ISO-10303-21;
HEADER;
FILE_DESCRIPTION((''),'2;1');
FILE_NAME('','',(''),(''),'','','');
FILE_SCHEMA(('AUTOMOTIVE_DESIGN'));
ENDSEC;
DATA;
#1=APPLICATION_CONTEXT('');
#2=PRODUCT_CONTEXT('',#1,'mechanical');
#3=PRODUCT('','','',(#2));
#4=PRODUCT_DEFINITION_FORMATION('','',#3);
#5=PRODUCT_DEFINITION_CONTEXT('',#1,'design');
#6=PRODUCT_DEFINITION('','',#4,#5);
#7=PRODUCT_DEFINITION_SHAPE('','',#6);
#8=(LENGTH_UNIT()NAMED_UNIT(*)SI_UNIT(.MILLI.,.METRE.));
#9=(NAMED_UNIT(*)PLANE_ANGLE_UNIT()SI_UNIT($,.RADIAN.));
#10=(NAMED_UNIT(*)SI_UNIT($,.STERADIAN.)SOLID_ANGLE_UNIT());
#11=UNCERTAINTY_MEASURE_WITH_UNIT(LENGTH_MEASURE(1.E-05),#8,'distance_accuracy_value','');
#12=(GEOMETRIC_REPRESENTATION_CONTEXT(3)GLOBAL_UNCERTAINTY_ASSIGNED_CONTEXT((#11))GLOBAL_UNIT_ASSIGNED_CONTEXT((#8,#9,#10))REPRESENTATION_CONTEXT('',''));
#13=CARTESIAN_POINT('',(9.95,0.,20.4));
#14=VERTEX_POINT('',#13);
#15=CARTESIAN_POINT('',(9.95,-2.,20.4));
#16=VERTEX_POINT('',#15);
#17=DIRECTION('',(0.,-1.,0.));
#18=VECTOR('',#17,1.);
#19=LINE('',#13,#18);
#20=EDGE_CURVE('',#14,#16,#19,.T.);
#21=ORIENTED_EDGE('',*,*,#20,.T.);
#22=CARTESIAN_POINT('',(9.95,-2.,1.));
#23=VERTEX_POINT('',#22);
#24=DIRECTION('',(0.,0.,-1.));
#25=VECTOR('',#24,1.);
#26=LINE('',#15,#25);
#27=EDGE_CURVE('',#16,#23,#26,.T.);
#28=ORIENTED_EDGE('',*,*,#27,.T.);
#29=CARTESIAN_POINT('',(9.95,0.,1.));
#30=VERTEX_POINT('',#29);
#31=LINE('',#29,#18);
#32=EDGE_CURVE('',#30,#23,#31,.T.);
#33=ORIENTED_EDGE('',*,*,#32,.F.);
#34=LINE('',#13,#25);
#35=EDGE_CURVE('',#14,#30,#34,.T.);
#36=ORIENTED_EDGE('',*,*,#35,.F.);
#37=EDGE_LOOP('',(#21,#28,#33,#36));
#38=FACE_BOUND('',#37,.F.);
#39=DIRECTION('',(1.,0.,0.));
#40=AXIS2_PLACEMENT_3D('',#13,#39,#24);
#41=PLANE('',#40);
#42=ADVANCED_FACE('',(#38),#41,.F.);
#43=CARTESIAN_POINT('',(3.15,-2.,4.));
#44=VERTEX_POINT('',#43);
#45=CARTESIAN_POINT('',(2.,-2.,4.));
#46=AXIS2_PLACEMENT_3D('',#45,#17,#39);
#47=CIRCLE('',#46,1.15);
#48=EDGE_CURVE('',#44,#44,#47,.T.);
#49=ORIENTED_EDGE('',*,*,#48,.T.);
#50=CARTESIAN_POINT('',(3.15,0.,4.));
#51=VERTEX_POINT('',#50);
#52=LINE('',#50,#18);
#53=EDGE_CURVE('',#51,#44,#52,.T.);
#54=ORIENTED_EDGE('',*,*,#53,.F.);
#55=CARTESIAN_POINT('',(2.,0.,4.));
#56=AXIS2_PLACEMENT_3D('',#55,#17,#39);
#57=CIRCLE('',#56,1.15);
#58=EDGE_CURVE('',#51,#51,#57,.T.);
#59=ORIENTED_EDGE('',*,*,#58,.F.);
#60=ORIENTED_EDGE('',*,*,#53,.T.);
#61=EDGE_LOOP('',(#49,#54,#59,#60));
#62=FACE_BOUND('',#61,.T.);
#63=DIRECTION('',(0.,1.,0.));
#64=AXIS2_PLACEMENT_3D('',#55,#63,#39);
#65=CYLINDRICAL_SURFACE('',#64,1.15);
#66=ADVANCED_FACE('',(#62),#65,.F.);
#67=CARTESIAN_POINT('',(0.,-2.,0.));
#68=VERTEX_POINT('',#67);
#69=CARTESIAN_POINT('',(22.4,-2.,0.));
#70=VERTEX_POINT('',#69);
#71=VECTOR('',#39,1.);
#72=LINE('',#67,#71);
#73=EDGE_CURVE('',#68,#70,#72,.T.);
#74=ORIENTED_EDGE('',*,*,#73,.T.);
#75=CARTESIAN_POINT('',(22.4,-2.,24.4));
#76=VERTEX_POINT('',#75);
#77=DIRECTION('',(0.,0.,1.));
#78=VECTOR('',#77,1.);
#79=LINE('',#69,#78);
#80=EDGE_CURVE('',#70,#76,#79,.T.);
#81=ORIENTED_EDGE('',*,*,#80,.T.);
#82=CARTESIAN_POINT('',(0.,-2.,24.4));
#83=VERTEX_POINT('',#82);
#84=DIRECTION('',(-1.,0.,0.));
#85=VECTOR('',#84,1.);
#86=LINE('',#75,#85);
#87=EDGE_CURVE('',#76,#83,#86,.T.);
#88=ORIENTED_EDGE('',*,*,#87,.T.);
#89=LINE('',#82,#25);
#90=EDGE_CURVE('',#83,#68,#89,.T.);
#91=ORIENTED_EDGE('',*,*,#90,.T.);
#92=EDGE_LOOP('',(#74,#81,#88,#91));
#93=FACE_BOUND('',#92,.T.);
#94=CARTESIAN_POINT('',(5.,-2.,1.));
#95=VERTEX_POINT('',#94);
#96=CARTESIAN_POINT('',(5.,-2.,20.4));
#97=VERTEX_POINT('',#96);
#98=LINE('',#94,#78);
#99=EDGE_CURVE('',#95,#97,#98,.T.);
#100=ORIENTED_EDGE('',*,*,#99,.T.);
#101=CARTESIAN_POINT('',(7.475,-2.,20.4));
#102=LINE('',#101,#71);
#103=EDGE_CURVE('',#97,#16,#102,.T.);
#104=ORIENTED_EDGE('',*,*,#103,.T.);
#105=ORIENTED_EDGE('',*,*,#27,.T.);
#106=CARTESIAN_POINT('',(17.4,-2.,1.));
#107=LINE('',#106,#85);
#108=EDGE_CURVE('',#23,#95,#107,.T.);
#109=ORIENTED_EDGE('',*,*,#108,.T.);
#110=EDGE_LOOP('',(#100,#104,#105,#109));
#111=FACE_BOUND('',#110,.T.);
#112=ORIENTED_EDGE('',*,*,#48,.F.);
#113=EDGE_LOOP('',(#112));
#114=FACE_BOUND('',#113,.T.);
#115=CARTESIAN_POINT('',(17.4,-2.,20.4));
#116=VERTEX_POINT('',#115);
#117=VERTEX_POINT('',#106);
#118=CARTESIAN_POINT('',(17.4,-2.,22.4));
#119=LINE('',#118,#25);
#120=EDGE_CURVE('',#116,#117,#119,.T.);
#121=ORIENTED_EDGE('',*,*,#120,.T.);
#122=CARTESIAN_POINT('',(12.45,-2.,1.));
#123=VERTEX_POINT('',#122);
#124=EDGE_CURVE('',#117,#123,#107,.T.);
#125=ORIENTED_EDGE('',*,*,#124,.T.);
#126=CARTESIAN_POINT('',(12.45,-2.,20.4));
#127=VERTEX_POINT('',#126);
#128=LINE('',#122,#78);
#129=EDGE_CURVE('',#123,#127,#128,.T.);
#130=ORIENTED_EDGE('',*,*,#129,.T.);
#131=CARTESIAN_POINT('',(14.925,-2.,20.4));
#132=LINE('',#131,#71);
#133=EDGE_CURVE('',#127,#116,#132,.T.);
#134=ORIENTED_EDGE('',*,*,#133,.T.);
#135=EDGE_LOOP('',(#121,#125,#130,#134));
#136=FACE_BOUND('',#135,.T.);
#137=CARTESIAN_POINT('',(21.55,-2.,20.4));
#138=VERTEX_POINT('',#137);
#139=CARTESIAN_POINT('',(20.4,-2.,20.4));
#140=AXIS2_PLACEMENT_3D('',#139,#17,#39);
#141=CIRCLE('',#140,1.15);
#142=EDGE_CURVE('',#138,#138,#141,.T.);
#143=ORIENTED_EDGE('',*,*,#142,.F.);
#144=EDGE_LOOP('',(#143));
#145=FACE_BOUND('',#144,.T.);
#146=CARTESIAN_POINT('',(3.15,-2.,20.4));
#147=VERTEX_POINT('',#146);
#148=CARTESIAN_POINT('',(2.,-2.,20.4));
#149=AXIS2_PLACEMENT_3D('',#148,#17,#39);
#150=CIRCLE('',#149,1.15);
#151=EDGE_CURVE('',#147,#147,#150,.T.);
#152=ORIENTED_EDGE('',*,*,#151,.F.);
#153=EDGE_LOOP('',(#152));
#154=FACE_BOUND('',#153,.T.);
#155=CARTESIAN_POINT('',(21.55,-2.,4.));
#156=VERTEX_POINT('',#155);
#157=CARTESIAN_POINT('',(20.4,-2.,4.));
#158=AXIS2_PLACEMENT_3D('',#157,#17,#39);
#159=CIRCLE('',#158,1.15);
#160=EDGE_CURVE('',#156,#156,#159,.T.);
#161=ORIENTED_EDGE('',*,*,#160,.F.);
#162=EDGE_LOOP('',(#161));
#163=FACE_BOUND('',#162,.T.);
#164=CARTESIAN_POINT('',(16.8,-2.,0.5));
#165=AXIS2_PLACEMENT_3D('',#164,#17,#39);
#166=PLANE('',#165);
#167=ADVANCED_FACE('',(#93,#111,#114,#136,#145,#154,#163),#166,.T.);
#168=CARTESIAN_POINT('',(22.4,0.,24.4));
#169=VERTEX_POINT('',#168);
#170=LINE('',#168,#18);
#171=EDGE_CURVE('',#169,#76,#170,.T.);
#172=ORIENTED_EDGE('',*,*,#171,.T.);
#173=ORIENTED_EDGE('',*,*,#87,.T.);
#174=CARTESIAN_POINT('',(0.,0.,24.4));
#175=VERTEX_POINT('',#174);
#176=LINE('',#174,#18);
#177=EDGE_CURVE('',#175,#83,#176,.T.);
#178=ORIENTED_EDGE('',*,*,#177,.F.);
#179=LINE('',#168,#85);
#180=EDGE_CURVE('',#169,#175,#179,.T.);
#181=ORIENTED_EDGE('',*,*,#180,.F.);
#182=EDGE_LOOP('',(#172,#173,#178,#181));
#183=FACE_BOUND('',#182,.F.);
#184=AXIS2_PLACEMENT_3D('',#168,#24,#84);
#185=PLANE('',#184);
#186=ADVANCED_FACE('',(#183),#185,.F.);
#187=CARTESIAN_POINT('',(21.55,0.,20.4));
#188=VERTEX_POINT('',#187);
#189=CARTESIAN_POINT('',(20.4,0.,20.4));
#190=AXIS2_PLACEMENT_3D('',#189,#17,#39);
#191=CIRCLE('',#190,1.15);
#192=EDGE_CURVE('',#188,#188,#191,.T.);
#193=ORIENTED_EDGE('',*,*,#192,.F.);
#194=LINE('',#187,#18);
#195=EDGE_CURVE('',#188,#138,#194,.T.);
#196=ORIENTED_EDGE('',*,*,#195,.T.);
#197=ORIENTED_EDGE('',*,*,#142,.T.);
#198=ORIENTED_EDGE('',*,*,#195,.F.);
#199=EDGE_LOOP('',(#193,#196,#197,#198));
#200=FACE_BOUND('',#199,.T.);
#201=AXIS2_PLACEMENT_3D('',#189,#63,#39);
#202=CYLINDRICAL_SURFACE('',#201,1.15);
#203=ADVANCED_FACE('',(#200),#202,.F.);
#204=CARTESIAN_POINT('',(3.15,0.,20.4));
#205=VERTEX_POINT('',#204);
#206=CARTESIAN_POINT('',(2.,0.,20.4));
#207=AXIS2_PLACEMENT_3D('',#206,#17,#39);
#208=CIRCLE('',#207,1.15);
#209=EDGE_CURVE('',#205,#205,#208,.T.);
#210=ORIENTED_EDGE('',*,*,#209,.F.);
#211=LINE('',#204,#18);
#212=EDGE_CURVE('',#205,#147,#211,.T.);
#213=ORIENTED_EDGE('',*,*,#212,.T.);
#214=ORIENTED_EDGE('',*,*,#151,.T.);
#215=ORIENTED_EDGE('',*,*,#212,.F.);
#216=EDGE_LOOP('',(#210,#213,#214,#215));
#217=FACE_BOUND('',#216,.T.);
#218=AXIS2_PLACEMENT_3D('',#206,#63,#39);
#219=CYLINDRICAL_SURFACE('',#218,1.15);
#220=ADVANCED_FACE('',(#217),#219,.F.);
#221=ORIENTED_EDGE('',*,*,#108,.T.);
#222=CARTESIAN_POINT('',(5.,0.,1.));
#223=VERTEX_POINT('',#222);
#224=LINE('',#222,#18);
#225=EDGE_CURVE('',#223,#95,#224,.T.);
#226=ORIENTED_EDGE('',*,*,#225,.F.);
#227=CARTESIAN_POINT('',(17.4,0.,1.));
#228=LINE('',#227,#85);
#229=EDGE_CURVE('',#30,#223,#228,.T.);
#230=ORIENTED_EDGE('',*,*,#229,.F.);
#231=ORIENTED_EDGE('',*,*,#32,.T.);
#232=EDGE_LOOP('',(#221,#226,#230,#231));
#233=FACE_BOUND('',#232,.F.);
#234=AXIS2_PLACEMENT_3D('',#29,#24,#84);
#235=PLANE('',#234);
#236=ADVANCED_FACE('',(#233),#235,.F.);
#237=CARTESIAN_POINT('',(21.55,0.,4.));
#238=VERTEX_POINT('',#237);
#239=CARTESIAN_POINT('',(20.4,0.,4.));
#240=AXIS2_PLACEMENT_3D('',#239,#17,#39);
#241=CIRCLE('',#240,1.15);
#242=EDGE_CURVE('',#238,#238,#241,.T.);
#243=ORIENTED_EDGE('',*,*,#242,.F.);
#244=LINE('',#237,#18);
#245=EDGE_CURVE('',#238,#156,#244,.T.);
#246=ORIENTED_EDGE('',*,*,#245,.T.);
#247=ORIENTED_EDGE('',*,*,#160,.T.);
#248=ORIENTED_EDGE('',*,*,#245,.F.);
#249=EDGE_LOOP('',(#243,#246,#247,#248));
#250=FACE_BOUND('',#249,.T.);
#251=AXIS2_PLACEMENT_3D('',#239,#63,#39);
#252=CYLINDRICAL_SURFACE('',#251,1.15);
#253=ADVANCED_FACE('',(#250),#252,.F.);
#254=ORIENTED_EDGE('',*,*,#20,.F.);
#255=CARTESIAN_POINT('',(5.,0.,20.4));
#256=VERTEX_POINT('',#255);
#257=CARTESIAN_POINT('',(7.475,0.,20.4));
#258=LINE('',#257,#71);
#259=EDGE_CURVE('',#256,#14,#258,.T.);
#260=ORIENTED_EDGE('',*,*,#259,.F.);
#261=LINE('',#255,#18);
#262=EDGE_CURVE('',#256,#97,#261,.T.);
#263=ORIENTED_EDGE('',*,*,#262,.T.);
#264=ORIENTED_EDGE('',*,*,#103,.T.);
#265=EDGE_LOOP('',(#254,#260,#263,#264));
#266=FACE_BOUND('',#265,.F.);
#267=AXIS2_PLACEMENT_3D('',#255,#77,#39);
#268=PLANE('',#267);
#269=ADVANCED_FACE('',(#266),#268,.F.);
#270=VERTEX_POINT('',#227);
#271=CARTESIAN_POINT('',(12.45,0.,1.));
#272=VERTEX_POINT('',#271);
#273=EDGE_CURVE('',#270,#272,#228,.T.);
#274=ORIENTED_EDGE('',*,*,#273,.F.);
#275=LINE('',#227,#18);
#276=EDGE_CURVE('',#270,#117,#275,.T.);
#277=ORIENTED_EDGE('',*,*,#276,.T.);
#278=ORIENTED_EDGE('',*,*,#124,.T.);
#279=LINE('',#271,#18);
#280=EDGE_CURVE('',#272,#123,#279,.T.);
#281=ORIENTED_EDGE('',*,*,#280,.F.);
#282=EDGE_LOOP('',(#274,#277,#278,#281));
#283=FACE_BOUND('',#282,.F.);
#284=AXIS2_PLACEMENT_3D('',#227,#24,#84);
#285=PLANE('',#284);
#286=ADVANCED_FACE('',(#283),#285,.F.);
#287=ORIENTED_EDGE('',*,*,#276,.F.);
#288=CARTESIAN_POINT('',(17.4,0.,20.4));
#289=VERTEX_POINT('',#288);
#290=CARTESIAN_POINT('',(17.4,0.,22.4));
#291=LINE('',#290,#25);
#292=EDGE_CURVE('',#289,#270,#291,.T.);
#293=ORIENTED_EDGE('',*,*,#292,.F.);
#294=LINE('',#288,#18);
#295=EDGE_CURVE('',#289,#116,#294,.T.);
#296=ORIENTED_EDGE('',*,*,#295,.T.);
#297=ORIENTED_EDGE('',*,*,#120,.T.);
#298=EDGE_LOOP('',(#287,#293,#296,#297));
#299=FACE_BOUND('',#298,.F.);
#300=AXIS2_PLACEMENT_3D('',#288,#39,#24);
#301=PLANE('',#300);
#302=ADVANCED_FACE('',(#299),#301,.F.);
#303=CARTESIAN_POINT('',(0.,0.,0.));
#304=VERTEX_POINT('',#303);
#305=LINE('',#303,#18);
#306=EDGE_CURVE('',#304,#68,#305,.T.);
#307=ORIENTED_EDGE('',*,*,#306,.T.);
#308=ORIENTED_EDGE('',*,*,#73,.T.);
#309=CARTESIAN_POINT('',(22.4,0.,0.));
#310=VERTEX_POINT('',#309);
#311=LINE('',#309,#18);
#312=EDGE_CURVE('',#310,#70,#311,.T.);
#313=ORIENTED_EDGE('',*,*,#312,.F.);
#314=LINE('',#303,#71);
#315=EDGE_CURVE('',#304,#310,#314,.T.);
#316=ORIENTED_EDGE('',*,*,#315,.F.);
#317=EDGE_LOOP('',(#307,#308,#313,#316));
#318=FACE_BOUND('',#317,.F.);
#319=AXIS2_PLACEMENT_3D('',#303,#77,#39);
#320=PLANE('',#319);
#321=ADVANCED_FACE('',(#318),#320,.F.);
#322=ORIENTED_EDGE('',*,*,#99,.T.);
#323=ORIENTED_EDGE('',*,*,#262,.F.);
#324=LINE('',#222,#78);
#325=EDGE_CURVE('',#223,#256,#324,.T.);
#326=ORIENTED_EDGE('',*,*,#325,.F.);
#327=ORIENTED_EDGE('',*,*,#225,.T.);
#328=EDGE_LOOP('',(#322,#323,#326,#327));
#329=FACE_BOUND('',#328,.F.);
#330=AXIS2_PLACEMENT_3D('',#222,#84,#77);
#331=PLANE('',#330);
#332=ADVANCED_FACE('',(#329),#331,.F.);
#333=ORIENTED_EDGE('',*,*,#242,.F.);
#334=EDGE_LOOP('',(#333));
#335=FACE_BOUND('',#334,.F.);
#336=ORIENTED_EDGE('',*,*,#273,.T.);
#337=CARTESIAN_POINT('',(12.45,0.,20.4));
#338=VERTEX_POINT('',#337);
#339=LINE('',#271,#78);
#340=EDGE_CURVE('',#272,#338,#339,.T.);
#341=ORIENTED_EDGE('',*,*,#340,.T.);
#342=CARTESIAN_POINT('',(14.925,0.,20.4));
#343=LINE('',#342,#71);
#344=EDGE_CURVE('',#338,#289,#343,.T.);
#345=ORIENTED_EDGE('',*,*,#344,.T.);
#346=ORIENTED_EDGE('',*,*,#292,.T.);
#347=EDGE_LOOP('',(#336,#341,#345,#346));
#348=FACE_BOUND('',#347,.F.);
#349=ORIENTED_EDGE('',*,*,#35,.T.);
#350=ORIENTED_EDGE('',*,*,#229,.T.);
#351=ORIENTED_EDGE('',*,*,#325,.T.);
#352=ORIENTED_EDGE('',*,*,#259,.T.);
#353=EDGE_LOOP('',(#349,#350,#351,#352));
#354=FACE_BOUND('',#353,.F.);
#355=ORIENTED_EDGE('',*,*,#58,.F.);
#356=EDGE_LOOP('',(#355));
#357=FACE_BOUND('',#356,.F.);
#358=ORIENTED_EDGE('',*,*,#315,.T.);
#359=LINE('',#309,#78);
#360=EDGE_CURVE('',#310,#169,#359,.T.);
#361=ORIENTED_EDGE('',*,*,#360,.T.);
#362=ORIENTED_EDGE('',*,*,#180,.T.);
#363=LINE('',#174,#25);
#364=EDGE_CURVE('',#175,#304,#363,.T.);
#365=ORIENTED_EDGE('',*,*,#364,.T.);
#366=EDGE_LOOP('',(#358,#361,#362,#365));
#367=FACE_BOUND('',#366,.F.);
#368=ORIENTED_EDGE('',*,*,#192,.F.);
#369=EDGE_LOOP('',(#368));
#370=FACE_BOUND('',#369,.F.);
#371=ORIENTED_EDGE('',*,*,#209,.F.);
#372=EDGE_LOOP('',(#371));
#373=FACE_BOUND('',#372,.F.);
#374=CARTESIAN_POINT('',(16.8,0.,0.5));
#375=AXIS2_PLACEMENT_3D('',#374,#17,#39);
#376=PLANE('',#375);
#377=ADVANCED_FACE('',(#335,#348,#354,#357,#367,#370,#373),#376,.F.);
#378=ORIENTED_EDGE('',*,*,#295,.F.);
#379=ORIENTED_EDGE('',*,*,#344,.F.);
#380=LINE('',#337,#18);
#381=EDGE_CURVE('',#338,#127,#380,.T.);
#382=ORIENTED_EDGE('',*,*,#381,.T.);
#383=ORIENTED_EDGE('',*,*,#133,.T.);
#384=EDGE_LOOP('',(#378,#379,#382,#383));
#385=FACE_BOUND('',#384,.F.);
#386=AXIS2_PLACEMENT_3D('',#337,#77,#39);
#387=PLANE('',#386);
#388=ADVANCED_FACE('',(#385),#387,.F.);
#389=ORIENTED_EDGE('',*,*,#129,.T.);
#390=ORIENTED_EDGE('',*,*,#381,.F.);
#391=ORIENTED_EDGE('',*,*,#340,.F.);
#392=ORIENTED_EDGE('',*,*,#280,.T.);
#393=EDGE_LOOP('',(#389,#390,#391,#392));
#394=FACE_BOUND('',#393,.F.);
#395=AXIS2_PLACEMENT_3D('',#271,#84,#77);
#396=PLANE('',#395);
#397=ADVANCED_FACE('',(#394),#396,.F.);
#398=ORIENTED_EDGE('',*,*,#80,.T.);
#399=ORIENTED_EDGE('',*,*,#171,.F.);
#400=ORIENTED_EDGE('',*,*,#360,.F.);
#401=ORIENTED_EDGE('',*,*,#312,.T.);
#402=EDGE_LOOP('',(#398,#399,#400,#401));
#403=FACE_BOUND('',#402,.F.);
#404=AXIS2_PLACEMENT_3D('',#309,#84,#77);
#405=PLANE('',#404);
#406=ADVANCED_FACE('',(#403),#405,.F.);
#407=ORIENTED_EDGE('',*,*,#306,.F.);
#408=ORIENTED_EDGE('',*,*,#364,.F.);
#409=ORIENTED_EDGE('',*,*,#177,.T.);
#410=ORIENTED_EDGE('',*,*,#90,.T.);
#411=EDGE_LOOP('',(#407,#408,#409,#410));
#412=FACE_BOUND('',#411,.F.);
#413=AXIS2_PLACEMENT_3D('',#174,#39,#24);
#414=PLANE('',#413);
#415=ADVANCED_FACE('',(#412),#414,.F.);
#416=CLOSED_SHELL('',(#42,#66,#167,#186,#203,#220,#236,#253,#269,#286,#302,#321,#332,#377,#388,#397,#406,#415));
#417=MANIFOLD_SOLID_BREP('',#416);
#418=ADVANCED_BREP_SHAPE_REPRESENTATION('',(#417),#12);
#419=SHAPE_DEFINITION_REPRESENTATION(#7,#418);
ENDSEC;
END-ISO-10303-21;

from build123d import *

# Parameters (mm, degrees)
F0_W     = 1.2
F0_H     = 1
F0_W_2   = 1.5
F0_W_3   = 4
F0_H_2   = 2
F0_R     = 1.15
F0_W_4   = 1
F0_H_3   = 4
F0_H_4   = 12.4
F0_W_5   = 4.95
F1_DEPTH = 2


with BuildPart() as f1:
    # F0 (on Front) → F1 (new body)
    with BuildSketch(Plane.XZ):
        with Locations((16.8, 0.5)):
            Rectangle(F0_W, F0_H)
        with Locations((15.45, 0.5)):
            Rectangle(F0_W_2, F0_H)
        Polygon((14.7, 0), (14.7, 1), (12.45, 1), (11.2, 1), (9.95, 1), (7.7, 1), (7.7, 0), align=None)
        Polygon((17.4, 20.4), (17.4, 1), (17.4, 0), (18.4, 0), (18.4, 2), (18.4, 6), (18.4, 18.4), (18.4, 20.4), align=None)
        with Locations((6.95, 0.5)):
            Rectangle(F0_W_2, F0_H)
        with Locations((20.4, 1)):
            Rectangle(F0_W_3, F0_H_2)
        Polygon((18.4, 22.4), (18.4, 20.4), (18.4, 18.4), (22.4, 18.4), (22.4, 22.4), align=None)
        with Locations((20.4, 20.4)):
            Circle(F0_R, mode=Mode.SUBTRACT)
        with Locations((17.9, 23.4)):
            Rectangle(F0_W_4, F0_H_2)
        Polygon((12.45, 22.4), (17.4, 22.4), (17.4, 24.4), (11.2, 24.4), (11.2, 22.4), align=None)
        with Locations((5.6, 0.5)):
            Rectangle(F0_W, F0_H)
        with Locations((20.4, 4)):
            Rectangle(F0_W_3, F0_H_3)
        with Locations((20.4, 4)):
            Circle(F0_R, mode=Mode.SUBTRACT)
        with Locations((20.4, 12.2)):
            Rectangle(F0_W_3, F0_H_4)
        with Locations((20.4, 23.4)):
            Rectangle(F0_W_3, F0_H_2)
        Polygon((4, 0), (5, 0), (5, 1), (5, 20.4), (4, 20.4), (4, 18.4), (4, 6), (4, 2), align=None)
        Polygon((9.95, 22.4), (11.2, 22.4), (11.2, 24.4), (5, 24.4), (5, 22.4), align=None)
        with Locations((2, 1)):
            Rectangle(F0_W_3, F0_H_2)
        with Locations((4.5, 23.4)):
            Rectangle(F0_W_4, F0_H_2)
        with Locations((2, 4)):
            Rectangle(F0_W_3, F0_H_3)
        with Locations((2, 4)):
            Circle(F0_R, mode=Mode.SUBTRACT)
        Polygon((4, 18.4), (4, 20.4), (4, 22.4), (0, 22.4), (0, 18.4), align=None)
        with Locations((2, 20.4)):
            Circle(F0_R, mode=Mode.SUBTRACT)
        with Locations((2, 23.4)):
            Rectangle(F0_W_3, F0_H_2)
        with Locations((2, 12.2)):
            Rectangle(F0_W_3, F0_H_4)
        Polygon((11.2, 1), (12.45, 1), (12.45, 20.4), (11.2, 20.4), (9.95, 20.4), (9.95, 1), align=None)
        with Locations((7.475, 21.4)):
            Rectangle(F0_W_5, F0_H_2)
        with Locations((4.5, 21.4)):
            Rectangle(F0_W_4, F0_H_2)
        Polygon((11.2, 20.4), (12.45, 20.4), (12.45, 22.4), (11.2, 22.4), (9.95, 22.4), (9.95, 20.4), align=None)
        with Locations((17.9, 21.4)):
            Rectangle(F0_W_4, F0_H_2)
        with Locations((14.925, 21.4)):
            Rectangle(F0_W_5, F0_H_2)
    extrude(amount=F1_DEPTH)


solid = f1.part
